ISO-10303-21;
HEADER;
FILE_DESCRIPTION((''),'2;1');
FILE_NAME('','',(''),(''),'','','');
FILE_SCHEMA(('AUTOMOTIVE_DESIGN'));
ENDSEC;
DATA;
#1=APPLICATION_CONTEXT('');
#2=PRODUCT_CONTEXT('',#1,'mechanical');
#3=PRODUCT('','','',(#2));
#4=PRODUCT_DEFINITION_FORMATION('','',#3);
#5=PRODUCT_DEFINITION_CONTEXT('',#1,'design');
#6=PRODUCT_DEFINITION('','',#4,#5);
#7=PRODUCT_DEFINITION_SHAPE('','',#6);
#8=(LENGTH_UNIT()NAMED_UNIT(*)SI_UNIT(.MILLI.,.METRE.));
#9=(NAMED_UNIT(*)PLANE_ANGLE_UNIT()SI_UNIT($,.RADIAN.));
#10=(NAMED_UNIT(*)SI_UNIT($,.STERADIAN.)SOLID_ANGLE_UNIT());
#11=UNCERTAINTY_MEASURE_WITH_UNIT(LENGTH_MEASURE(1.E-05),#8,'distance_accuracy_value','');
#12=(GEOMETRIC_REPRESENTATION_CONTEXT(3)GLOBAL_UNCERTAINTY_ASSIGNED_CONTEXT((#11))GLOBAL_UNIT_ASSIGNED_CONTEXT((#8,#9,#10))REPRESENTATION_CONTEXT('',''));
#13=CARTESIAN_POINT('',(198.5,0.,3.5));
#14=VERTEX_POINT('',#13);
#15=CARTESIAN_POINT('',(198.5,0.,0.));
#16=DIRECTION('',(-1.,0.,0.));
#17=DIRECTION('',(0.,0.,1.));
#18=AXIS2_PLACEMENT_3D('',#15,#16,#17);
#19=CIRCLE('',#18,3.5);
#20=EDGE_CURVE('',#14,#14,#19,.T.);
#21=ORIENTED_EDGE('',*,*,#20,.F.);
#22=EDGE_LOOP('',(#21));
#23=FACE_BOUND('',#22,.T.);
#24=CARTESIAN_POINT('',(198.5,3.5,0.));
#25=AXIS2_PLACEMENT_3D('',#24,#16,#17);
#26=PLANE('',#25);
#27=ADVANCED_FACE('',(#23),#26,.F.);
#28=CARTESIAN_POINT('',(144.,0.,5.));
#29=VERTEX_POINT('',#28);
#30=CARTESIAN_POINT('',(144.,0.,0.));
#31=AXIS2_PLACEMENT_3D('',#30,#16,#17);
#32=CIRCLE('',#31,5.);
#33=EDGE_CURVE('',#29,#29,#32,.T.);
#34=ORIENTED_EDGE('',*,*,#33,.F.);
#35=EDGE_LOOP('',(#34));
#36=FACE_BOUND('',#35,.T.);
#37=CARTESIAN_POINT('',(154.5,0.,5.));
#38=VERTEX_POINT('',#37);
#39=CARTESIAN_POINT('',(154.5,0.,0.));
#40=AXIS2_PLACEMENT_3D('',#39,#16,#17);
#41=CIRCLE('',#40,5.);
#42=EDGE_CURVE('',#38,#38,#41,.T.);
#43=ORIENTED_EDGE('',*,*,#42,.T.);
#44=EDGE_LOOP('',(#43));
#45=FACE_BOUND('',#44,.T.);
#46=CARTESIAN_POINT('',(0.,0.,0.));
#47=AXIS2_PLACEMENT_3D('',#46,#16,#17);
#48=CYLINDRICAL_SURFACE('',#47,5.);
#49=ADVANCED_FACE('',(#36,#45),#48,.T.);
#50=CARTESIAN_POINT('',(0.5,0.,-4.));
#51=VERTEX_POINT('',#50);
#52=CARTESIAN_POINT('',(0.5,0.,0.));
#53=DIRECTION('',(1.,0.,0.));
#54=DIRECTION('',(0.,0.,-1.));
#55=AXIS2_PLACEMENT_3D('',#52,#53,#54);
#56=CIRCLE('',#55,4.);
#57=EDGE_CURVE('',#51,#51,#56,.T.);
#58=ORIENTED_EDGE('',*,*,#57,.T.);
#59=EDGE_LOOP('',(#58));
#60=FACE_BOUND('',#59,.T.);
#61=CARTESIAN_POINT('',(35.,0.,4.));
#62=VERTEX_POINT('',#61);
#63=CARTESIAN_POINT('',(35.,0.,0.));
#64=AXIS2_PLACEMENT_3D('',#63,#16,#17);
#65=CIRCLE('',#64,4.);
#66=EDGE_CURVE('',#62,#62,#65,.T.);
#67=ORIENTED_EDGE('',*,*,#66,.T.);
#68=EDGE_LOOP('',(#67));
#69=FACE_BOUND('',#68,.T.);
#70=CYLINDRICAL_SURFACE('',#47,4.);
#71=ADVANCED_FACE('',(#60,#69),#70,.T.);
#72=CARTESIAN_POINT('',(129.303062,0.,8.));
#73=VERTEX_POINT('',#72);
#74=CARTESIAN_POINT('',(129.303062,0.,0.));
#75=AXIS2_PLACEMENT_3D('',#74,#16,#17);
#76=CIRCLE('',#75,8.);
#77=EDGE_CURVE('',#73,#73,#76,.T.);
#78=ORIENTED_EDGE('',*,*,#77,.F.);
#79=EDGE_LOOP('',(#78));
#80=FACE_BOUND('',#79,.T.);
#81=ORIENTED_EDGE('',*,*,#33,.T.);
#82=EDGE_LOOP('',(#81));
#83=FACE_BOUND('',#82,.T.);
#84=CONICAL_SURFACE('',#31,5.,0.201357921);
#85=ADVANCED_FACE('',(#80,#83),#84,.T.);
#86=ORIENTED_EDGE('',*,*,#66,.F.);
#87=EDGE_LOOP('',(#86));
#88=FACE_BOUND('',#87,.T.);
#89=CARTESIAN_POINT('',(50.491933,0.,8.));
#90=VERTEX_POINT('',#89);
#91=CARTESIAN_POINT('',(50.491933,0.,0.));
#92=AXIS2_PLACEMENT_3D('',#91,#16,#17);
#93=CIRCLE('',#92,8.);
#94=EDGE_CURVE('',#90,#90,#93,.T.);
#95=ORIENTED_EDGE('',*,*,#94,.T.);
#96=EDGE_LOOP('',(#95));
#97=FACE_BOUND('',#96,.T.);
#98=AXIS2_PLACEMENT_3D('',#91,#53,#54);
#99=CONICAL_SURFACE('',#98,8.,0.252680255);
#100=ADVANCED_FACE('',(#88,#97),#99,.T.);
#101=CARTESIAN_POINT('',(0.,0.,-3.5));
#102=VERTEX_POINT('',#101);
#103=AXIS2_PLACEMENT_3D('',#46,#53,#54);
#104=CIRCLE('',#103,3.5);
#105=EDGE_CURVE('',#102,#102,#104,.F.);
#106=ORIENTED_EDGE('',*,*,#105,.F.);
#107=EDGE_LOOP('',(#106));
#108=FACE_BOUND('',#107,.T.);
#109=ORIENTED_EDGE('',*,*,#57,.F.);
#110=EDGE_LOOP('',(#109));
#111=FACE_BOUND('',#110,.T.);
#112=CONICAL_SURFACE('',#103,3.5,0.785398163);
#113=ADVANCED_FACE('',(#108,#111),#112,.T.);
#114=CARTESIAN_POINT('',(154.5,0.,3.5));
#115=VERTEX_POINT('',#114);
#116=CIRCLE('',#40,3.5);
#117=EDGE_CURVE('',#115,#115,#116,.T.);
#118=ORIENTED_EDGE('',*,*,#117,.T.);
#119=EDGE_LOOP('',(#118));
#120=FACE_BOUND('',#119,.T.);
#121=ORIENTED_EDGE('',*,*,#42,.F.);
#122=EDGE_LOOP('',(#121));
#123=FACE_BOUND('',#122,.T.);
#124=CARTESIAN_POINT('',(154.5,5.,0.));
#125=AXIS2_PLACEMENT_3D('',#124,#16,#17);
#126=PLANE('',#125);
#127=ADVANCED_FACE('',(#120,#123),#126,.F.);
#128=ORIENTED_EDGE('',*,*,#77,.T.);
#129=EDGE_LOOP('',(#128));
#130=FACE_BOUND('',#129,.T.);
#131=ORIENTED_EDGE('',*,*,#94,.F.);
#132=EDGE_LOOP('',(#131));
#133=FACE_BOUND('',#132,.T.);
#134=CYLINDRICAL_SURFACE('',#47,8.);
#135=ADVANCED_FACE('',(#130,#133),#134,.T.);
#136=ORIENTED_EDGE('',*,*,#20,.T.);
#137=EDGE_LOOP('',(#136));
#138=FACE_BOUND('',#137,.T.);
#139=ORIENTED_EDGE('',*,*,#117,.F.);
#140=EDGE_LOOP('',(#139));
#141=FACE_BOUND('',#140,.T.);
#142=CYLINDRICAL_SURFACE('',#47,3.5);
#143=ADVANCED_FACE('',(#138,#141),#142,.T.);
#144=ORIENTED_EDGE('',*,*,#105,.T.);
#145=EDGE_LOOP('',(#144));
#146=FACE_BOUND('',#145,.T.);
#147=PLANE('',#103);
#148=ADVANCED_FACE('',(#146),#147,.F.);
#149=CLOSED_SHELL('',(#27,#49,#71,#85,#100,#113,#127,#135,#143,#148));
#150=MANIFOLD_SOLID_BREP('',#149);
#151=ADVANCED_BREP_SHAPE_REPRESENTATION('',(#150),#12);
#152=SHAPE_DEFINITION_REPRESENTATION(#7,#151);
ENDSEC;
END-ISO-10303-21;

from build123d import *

# Parameters (mm, degrees)
PAH1_SIZE = 0.5


with BuildPart() as part:
    # Çizim1 → Döndür1 (revolve)
    with BuildSketch(Plane.XY, mode=Mode.PRIVATE) as d_nd_r1_sk:
        Polygon((0, 0), (0, 4), (35, 4), (50.491933385, 8), (129.303061543, 8), (144, 5), (154.5, 5), (154.5, 3.5), (198.5, 3.5), (198.5, 0), align=None)
    revolve(d_nd_r1_sk.sketch.rotate(Axis((0, 0, 0), (1, 0, 0)), 90), axis=Axis((0, 0, 0), (1, 0, 0)))

    # Pah1
    pah1_edges = [part.edges().sort_by_distance(p)[0] for p in [
        (0, 0, -4),
    ]]
    chamfer(pah1_edges, length=PAH1_SIZE)


solid = part.part
